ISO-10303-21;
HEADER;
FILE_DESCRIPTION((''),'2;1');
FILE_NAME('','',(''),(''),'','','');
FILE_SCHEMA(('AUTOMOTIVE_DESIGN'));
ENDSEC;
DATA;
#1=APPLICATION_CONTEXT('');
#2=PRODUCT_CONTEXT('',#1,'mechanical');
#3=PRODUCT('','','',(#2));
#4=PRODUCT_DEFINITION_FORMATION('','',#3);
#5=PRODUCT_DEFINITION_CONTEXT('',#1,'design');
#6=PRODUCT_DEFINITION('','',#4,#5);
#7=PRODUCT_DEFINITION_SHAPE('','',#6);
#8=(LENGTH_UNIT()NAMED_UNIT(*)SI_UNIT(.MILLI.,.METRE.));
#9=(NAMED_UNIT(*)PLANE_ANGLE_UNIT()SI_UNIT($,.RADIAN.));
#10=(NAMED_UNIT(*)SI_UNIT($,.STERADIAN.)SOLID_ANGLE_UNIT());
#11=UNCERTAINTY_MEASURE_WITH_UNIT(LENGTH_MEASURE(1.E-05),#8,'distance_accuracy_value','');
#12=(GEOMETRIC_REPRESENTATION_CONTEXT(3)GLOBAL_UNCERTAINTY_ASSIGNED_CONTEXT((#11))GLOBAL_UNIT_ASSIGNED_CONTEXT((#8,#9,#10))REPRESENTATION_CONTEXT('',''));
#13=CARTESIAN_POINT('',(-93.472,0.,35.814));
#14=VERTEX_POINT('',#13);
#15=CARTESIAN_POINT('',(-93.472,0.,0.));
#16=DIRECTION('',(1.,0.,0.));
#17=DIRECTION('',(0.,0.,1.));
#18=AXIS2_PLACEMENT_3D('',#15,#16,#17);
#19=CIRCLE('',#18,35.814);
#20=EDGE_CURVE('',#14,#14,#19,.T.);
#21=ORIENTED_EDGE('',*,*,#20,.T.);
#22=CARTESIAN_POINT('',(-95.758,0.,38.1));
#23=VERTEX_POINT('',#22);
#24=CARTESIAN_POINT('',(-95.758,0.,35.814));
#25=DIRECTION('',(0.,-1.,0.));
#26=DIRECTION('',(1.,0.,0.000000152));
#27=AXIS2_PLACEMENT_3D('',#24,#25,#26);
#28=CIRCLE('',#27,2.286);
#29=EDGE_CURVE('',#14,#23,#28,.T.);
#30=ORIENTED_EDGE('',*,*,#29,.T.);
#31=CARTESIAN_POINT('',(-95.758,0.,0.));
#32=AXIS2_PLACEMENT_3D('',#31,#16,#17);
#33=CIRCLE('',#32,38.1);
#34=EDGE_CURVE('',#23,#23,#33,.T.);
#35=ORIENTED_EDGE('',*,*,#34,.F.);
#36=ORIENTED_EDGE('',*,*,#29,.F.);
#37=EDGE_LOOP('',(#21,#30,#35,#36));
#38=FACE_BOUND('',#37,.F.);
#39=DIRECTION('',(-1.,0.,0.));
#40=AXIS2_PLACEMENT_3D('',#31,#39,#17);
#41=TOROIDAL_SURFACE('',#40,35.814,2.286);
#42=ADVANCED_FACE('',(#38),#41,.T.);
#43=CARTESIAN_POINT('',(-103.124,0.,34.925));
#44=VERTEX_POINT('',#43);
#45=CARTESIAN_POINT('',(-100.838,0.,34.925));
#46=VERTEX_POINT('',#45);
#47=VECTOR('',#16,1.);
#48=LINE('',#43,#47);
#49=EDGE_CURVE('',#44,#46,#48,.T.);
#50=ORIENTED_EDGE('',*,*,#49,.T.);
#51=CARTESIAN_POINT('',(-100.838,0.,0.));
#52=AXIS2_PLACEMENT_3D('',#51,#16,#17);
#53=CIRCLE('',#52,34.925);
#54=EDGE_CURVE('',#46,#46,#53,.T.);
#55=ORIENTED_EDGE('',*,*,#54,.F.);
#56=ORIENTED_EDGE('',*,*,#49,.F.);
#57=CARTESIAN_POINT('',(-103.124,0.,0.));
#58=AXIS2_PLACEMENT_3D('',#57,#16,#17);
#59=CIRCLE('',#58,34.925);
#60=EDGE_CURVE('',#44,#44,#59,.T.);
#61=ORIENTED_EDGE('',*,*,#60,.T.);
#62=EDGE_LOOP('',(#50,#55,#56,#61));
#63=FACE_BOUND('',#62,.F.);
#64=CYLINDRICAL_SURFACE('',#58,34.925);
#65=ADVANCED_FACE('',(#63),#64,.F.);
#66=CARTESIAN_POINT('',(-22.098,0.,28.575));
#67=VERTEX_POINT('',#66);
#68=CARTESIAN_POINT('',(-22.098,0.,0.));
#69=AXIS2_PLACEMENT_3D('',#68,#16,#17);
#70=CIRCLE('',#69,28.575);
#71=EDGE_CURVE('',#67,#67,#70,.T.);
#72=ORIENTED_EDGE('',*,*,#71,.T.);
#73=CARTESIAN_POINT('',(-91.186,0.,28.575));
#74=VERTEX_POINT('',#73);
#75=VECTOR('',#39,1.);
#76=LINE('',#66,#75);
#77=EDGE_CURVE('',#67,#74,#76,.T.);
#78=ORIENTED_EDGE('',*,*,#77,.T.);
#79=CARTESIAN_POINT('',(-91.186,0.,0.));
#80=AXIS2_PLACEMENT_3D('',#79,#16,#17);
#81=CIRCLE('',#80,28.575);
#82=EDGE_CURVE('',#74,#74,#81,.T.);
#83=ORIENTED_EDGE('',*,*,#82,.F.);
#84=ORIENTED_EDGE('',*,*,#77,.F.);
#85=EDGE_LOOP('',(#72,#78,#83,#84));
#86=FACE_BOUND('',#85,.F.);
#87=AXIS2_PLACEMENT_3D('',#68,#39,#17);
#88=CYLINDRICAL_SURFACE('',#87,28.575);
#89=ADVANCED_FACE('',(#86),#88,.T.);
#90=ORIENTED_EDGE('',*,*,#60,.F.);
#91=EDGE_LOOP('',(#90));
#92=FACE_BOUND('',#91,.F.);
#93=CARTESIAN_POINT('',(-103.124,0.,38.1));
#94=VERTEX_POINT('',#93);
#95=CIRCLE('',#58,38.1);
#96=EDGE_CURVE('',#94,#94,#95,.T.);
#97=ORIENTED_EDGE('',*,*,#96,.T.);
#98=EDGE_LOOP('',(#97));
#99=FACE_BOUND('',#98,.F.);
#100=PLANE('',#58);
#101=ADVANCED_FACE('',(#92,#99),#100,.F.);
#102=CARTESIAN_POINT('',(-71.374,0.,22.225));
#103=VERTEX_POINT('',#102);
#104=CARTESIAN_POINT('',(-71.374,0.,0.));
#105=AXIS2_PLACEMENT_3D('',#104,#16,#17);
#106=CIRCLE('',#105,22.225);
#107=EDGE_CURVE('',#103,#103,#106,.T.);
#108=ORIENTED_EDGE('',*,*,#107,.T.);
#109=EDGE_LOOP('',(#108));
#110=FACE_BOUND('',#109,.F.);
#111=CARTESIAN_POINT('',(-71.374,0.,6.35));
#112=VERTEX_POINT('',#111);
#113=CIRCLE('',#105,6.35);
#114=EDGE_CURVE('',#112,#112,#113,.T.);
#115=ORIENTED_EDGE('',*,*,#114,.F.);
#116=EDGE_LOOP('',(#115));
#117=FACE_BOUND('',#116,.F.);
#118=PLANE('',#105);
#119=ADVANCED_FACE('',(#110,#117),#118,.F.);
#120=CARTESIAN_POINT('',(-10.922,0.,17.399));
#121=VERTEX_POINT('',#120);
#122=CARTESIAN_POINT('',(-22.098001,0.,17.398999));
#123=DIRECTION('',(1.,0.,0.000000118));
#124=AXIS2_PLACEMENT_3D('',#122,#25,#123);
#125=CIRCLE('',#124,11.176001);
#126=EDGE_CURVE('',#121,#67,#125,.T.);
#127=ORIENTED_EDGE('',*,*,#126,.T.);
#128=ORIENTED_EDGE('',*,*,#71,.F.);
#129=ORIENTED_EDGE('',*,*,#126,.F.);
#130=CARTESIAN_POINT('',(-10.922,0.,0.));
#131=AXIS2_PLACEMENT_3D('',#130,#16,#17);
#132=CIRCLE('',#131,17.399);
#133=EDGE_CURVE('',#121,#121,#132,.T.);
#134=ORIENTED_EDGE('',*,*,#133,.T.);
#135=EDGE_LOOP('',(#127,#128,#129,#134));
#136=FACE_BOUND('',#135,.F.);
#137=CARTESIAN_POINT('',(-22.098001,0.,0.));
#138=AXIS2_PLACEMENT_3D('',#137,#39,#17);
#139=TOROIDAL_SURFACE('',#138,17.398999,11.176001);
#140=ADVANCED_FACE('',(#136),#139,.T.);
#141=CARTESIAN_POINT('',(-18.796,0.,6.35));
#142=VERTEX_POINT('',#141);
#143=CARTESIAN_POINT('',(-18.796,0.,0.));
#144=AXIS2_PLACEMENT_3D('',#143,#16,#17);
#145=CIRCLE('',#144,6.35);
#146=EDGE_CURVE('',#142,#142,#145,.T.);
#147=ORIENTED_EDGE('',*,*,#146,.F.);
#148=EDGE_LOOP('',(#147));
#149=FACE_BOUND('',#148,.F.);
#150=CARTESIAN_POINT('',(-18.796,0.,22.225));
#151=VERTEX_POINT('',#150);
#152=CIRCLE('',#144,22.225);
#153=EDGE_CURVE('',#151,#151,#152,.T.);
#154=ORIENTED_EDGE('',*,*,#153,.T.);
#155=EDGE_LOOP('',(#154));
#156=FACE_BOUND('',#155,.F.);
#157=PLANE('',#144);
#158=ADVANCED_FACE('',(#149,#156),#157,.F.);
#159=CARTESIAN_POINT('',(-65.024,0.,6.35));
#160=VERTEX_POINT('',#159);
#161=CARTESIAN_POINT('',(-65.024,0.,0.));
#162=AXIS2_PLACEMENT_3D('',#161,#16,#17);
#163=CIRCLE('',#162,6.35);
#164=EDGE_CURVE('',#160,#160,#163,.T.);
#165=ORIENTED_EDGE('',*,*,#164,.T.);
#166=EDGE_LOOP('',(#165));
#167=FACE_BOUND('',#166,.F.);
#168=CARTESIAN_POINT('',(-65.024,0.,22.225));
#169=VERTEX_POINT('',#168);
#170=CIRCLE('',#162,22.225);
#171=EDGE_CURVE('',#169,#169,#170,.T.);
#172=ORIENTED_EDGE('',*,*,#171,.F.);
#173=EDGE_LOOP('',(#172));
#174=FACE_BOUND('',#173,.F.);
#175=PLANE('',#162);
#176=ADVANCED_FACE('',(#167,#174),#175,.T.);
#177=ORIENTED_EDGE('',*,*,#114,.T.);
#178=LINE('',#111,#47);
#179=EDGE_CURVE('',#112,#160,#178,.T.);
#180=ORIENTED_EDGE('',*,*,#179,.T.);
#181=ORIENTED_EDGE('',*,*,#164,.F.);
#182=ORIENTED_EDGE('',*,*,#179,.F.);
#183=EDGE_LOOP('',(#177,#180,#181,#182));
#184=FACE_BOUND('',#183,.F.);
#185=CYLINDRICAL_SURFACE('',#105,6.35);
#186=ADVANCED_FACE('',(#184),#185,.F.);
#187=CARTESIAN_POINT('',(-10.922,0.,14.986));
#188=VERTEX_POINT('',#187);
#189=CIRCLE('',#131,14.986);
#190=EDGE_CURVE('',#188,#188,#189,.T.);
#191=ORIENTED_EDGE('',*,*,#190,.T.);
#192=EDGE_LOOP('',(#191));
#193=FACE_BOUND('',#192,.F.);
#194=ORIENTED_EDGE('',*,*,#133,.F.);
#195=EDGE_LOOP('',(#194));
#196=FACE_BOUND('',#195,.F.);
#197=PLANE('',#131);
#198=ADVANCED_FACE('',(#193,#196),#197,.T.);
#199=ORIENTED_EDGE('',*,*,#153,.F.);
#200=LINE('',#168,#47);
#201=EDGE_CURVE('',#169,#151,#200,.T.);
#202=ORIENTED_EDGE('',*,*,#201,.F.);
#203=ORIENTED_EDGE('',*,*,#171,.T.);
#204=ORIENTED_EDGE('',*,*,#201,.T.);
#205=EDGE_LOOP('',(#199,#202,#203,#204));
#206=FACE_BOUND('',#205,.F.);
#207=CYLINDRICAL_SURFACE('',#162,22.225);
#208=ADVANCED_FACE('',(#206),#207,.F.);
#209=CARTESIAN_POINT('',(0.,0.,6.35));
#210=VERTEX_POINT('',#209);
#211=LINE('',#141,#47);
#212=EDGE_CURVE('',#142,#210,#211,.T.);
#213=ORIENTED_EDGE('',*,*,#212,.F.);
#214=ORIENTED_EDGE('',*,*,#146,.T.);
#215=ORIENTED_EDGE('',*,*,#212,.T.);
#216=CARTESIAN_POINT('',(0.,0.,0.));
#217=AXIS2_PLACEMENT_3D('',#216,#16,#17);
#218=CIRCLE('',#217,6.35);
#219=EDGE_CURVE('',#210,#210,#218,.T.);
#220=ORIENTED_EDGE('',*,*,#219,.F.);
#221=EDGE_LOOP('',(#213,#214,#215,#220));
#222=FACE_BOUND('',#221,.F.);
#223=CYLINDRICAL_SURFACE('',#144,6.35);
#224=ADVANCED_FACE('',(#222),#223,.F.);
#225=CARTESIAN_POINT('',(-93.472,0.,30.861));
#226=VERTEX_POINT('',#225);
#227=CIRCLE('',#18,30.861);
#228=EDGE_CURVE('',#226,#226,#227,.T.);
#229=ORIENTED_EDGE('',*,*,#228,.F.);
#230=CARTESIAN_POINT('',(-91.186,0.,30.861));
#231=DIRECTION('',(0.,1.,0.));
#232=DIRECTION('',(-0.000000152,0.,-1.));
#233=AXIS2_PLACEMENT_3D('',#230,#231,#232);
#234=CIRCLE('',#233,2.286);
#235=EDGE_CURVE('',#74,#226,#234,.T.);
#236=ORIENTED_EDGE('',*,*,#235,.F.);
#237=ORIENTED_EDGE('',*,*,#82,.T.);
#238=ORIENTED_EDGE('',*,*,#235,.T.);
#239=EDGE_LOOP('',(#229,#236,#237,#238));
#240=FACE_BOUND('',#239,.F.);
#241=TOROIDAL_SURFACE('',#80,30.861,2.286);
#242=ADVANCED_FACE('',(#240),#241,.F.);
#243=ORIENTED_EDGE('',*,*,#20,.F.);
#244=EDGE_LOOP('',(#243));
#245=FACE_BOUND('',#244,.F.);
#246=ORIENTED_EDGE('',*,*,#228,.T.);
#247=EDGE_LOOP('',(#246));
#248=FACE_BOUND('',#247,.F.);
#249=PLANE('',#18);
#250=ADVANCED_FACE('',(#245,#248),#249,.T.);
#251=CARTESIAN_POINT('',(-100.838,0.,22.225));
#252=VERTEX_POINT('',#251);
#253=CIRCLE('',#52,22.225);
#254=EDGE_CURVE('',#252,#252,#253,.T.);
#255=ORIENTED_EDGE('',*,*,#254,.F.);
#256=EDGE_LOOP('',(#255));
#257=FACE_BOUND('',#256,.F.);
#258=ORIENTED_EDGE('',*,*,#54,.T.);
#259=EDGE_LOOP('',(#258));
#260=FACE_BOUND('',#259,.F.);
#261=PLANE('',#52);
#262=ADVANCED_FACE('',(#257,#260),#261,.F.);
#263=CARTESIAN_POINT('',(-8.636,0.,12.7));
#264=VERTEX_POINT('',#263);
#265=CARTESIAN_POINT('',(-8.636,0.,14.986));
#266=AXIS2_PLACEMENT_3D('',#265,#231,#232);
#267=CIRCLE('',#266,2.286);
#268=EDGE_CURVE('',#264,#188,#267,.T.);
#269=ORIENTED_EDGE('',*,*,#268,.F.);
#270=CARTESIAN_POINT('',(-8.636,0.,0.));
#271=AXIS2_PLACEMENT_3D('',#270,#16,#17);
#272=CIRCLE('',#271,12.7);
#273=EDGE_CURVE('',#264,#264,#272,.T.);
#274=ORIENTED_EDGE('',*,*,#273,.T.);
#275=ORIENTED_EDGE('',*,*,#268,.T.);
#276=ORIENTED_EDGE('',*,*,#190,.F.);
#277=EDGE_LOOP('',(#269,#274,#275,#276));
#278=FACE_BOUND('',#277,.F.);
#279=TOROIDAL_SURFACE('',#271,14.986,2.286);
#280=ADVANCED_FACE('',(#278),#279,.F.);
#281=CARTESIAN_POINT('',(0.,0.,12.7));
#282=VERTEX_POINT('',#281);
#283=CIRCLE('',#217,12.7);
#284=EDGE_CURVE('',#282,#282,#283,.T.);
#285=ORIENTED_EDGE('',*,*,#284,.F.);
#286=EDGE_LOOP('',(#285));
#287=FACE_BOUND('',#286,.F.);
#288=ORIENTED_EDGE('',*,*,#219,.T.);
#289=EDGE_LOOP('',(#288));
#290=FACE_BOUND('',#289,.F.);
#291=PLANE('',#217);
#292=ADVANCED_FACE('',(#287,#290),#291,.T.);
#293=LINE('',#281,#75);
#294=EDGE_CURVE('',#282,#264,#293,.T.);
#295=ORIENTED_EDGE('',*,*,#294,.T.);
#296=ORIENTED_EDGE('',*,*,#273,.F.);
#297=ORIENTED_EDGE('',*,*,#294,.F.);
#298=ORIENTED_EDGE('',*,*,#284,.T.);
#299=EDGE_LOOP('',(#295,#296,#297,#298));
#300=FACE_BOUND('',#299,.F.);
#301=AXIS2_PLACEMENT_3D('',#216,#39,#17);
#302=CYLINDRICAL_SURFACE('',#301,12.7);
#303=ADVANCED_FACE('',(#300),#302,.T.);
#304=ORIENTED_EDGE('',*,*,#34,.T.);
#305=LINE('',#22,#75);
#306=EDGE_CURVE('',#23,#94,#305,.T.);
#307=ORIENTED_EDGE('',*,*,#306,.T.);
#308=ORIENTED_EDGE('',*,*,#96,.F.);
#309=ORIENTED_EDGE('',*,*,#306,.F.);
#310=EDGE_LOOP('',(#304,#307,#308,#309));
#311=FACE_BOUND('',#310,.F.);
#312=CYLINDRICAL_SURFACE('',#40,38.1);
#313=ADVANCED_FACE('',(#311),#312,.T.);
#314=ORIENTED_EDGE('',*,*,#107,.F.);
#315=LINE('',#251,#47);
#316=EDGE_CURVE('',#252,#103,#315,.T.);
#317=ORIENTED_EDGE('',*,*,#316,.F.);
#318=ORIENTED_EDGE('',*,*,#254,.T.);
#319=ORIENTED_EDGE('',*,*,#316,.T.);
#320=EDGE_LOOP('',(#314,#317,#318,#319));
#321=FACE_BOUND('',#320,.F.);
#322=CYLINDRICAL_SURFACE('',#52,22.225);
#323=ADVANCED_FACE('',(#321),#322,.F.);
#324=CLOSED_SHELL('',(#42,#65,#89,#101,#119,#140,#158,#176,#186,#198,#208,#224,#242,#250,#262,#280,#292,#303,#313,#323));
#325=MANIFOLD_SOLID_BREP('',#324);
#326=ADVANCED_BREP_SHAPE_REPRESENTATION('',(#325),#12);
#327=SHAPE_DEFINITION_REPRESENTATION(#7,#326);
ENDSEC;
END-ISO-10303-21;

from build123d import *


with BuildPart() as f1:
    # F0 (on Front) → F1 (revolve)
    with BuildSketch(Plane.XZ):
        with BuildLine():
            Line((-18.796, 6.35), (0, 6.35))
            Line((0, 6.35), (0, 12.7))
            Line((0, 12.7), (-8.636, 12.7))
            ThreePointArc((-8.636, 12.7), (-10.252446, 13.369554), (-10.922, 14.986))
            Line((-10.922, 14.986), (-10.922, 17.399))
            ThreePointArc((-10.922, 17.399), (-14.195375, 25.301625), (-22.098, 28.575))
            Line((-22.098, 28.575), (-91.186, 28.575))
            ThreePointArc((-91.186, 28.575), (-92.802446, 29.244554), (-93.472, 30.861))
            Line((-93.472, 30.861), (-93.472, 35.814))
            ThreePointArc((-93.472, 35.814), (-94.141554, 37.430446), (-95.758, 38.1))
            Line((-95.758, 38.1), (-103.124, 38.1))
            Line((-103.124, 38.1), (-103.124, 34.925))
            Line((-103.124, 34.925), (-100.838, 34.925))
            Line((-100.838, 34.925), (-100.838, 22.225))
            Line((-100.838, 22.225), (-71.374, 22.225))
            Line((-71.374, 22.225), (-71.374, 6.35))
            Line((-71.374, 6.35), (-65.024, 6.35))
            Line((-65.024, 6.35), (-65.024, 22.225))
            Line((-65.024, 22.225), (-18.796, 22.225))
            Line((-18.796, 22.225), (-18.796, 6.35))
        make_face()
    revolve(axis=Axis((-51.562, 0, 0), (1, 0, 0)))


solid = f1.part
